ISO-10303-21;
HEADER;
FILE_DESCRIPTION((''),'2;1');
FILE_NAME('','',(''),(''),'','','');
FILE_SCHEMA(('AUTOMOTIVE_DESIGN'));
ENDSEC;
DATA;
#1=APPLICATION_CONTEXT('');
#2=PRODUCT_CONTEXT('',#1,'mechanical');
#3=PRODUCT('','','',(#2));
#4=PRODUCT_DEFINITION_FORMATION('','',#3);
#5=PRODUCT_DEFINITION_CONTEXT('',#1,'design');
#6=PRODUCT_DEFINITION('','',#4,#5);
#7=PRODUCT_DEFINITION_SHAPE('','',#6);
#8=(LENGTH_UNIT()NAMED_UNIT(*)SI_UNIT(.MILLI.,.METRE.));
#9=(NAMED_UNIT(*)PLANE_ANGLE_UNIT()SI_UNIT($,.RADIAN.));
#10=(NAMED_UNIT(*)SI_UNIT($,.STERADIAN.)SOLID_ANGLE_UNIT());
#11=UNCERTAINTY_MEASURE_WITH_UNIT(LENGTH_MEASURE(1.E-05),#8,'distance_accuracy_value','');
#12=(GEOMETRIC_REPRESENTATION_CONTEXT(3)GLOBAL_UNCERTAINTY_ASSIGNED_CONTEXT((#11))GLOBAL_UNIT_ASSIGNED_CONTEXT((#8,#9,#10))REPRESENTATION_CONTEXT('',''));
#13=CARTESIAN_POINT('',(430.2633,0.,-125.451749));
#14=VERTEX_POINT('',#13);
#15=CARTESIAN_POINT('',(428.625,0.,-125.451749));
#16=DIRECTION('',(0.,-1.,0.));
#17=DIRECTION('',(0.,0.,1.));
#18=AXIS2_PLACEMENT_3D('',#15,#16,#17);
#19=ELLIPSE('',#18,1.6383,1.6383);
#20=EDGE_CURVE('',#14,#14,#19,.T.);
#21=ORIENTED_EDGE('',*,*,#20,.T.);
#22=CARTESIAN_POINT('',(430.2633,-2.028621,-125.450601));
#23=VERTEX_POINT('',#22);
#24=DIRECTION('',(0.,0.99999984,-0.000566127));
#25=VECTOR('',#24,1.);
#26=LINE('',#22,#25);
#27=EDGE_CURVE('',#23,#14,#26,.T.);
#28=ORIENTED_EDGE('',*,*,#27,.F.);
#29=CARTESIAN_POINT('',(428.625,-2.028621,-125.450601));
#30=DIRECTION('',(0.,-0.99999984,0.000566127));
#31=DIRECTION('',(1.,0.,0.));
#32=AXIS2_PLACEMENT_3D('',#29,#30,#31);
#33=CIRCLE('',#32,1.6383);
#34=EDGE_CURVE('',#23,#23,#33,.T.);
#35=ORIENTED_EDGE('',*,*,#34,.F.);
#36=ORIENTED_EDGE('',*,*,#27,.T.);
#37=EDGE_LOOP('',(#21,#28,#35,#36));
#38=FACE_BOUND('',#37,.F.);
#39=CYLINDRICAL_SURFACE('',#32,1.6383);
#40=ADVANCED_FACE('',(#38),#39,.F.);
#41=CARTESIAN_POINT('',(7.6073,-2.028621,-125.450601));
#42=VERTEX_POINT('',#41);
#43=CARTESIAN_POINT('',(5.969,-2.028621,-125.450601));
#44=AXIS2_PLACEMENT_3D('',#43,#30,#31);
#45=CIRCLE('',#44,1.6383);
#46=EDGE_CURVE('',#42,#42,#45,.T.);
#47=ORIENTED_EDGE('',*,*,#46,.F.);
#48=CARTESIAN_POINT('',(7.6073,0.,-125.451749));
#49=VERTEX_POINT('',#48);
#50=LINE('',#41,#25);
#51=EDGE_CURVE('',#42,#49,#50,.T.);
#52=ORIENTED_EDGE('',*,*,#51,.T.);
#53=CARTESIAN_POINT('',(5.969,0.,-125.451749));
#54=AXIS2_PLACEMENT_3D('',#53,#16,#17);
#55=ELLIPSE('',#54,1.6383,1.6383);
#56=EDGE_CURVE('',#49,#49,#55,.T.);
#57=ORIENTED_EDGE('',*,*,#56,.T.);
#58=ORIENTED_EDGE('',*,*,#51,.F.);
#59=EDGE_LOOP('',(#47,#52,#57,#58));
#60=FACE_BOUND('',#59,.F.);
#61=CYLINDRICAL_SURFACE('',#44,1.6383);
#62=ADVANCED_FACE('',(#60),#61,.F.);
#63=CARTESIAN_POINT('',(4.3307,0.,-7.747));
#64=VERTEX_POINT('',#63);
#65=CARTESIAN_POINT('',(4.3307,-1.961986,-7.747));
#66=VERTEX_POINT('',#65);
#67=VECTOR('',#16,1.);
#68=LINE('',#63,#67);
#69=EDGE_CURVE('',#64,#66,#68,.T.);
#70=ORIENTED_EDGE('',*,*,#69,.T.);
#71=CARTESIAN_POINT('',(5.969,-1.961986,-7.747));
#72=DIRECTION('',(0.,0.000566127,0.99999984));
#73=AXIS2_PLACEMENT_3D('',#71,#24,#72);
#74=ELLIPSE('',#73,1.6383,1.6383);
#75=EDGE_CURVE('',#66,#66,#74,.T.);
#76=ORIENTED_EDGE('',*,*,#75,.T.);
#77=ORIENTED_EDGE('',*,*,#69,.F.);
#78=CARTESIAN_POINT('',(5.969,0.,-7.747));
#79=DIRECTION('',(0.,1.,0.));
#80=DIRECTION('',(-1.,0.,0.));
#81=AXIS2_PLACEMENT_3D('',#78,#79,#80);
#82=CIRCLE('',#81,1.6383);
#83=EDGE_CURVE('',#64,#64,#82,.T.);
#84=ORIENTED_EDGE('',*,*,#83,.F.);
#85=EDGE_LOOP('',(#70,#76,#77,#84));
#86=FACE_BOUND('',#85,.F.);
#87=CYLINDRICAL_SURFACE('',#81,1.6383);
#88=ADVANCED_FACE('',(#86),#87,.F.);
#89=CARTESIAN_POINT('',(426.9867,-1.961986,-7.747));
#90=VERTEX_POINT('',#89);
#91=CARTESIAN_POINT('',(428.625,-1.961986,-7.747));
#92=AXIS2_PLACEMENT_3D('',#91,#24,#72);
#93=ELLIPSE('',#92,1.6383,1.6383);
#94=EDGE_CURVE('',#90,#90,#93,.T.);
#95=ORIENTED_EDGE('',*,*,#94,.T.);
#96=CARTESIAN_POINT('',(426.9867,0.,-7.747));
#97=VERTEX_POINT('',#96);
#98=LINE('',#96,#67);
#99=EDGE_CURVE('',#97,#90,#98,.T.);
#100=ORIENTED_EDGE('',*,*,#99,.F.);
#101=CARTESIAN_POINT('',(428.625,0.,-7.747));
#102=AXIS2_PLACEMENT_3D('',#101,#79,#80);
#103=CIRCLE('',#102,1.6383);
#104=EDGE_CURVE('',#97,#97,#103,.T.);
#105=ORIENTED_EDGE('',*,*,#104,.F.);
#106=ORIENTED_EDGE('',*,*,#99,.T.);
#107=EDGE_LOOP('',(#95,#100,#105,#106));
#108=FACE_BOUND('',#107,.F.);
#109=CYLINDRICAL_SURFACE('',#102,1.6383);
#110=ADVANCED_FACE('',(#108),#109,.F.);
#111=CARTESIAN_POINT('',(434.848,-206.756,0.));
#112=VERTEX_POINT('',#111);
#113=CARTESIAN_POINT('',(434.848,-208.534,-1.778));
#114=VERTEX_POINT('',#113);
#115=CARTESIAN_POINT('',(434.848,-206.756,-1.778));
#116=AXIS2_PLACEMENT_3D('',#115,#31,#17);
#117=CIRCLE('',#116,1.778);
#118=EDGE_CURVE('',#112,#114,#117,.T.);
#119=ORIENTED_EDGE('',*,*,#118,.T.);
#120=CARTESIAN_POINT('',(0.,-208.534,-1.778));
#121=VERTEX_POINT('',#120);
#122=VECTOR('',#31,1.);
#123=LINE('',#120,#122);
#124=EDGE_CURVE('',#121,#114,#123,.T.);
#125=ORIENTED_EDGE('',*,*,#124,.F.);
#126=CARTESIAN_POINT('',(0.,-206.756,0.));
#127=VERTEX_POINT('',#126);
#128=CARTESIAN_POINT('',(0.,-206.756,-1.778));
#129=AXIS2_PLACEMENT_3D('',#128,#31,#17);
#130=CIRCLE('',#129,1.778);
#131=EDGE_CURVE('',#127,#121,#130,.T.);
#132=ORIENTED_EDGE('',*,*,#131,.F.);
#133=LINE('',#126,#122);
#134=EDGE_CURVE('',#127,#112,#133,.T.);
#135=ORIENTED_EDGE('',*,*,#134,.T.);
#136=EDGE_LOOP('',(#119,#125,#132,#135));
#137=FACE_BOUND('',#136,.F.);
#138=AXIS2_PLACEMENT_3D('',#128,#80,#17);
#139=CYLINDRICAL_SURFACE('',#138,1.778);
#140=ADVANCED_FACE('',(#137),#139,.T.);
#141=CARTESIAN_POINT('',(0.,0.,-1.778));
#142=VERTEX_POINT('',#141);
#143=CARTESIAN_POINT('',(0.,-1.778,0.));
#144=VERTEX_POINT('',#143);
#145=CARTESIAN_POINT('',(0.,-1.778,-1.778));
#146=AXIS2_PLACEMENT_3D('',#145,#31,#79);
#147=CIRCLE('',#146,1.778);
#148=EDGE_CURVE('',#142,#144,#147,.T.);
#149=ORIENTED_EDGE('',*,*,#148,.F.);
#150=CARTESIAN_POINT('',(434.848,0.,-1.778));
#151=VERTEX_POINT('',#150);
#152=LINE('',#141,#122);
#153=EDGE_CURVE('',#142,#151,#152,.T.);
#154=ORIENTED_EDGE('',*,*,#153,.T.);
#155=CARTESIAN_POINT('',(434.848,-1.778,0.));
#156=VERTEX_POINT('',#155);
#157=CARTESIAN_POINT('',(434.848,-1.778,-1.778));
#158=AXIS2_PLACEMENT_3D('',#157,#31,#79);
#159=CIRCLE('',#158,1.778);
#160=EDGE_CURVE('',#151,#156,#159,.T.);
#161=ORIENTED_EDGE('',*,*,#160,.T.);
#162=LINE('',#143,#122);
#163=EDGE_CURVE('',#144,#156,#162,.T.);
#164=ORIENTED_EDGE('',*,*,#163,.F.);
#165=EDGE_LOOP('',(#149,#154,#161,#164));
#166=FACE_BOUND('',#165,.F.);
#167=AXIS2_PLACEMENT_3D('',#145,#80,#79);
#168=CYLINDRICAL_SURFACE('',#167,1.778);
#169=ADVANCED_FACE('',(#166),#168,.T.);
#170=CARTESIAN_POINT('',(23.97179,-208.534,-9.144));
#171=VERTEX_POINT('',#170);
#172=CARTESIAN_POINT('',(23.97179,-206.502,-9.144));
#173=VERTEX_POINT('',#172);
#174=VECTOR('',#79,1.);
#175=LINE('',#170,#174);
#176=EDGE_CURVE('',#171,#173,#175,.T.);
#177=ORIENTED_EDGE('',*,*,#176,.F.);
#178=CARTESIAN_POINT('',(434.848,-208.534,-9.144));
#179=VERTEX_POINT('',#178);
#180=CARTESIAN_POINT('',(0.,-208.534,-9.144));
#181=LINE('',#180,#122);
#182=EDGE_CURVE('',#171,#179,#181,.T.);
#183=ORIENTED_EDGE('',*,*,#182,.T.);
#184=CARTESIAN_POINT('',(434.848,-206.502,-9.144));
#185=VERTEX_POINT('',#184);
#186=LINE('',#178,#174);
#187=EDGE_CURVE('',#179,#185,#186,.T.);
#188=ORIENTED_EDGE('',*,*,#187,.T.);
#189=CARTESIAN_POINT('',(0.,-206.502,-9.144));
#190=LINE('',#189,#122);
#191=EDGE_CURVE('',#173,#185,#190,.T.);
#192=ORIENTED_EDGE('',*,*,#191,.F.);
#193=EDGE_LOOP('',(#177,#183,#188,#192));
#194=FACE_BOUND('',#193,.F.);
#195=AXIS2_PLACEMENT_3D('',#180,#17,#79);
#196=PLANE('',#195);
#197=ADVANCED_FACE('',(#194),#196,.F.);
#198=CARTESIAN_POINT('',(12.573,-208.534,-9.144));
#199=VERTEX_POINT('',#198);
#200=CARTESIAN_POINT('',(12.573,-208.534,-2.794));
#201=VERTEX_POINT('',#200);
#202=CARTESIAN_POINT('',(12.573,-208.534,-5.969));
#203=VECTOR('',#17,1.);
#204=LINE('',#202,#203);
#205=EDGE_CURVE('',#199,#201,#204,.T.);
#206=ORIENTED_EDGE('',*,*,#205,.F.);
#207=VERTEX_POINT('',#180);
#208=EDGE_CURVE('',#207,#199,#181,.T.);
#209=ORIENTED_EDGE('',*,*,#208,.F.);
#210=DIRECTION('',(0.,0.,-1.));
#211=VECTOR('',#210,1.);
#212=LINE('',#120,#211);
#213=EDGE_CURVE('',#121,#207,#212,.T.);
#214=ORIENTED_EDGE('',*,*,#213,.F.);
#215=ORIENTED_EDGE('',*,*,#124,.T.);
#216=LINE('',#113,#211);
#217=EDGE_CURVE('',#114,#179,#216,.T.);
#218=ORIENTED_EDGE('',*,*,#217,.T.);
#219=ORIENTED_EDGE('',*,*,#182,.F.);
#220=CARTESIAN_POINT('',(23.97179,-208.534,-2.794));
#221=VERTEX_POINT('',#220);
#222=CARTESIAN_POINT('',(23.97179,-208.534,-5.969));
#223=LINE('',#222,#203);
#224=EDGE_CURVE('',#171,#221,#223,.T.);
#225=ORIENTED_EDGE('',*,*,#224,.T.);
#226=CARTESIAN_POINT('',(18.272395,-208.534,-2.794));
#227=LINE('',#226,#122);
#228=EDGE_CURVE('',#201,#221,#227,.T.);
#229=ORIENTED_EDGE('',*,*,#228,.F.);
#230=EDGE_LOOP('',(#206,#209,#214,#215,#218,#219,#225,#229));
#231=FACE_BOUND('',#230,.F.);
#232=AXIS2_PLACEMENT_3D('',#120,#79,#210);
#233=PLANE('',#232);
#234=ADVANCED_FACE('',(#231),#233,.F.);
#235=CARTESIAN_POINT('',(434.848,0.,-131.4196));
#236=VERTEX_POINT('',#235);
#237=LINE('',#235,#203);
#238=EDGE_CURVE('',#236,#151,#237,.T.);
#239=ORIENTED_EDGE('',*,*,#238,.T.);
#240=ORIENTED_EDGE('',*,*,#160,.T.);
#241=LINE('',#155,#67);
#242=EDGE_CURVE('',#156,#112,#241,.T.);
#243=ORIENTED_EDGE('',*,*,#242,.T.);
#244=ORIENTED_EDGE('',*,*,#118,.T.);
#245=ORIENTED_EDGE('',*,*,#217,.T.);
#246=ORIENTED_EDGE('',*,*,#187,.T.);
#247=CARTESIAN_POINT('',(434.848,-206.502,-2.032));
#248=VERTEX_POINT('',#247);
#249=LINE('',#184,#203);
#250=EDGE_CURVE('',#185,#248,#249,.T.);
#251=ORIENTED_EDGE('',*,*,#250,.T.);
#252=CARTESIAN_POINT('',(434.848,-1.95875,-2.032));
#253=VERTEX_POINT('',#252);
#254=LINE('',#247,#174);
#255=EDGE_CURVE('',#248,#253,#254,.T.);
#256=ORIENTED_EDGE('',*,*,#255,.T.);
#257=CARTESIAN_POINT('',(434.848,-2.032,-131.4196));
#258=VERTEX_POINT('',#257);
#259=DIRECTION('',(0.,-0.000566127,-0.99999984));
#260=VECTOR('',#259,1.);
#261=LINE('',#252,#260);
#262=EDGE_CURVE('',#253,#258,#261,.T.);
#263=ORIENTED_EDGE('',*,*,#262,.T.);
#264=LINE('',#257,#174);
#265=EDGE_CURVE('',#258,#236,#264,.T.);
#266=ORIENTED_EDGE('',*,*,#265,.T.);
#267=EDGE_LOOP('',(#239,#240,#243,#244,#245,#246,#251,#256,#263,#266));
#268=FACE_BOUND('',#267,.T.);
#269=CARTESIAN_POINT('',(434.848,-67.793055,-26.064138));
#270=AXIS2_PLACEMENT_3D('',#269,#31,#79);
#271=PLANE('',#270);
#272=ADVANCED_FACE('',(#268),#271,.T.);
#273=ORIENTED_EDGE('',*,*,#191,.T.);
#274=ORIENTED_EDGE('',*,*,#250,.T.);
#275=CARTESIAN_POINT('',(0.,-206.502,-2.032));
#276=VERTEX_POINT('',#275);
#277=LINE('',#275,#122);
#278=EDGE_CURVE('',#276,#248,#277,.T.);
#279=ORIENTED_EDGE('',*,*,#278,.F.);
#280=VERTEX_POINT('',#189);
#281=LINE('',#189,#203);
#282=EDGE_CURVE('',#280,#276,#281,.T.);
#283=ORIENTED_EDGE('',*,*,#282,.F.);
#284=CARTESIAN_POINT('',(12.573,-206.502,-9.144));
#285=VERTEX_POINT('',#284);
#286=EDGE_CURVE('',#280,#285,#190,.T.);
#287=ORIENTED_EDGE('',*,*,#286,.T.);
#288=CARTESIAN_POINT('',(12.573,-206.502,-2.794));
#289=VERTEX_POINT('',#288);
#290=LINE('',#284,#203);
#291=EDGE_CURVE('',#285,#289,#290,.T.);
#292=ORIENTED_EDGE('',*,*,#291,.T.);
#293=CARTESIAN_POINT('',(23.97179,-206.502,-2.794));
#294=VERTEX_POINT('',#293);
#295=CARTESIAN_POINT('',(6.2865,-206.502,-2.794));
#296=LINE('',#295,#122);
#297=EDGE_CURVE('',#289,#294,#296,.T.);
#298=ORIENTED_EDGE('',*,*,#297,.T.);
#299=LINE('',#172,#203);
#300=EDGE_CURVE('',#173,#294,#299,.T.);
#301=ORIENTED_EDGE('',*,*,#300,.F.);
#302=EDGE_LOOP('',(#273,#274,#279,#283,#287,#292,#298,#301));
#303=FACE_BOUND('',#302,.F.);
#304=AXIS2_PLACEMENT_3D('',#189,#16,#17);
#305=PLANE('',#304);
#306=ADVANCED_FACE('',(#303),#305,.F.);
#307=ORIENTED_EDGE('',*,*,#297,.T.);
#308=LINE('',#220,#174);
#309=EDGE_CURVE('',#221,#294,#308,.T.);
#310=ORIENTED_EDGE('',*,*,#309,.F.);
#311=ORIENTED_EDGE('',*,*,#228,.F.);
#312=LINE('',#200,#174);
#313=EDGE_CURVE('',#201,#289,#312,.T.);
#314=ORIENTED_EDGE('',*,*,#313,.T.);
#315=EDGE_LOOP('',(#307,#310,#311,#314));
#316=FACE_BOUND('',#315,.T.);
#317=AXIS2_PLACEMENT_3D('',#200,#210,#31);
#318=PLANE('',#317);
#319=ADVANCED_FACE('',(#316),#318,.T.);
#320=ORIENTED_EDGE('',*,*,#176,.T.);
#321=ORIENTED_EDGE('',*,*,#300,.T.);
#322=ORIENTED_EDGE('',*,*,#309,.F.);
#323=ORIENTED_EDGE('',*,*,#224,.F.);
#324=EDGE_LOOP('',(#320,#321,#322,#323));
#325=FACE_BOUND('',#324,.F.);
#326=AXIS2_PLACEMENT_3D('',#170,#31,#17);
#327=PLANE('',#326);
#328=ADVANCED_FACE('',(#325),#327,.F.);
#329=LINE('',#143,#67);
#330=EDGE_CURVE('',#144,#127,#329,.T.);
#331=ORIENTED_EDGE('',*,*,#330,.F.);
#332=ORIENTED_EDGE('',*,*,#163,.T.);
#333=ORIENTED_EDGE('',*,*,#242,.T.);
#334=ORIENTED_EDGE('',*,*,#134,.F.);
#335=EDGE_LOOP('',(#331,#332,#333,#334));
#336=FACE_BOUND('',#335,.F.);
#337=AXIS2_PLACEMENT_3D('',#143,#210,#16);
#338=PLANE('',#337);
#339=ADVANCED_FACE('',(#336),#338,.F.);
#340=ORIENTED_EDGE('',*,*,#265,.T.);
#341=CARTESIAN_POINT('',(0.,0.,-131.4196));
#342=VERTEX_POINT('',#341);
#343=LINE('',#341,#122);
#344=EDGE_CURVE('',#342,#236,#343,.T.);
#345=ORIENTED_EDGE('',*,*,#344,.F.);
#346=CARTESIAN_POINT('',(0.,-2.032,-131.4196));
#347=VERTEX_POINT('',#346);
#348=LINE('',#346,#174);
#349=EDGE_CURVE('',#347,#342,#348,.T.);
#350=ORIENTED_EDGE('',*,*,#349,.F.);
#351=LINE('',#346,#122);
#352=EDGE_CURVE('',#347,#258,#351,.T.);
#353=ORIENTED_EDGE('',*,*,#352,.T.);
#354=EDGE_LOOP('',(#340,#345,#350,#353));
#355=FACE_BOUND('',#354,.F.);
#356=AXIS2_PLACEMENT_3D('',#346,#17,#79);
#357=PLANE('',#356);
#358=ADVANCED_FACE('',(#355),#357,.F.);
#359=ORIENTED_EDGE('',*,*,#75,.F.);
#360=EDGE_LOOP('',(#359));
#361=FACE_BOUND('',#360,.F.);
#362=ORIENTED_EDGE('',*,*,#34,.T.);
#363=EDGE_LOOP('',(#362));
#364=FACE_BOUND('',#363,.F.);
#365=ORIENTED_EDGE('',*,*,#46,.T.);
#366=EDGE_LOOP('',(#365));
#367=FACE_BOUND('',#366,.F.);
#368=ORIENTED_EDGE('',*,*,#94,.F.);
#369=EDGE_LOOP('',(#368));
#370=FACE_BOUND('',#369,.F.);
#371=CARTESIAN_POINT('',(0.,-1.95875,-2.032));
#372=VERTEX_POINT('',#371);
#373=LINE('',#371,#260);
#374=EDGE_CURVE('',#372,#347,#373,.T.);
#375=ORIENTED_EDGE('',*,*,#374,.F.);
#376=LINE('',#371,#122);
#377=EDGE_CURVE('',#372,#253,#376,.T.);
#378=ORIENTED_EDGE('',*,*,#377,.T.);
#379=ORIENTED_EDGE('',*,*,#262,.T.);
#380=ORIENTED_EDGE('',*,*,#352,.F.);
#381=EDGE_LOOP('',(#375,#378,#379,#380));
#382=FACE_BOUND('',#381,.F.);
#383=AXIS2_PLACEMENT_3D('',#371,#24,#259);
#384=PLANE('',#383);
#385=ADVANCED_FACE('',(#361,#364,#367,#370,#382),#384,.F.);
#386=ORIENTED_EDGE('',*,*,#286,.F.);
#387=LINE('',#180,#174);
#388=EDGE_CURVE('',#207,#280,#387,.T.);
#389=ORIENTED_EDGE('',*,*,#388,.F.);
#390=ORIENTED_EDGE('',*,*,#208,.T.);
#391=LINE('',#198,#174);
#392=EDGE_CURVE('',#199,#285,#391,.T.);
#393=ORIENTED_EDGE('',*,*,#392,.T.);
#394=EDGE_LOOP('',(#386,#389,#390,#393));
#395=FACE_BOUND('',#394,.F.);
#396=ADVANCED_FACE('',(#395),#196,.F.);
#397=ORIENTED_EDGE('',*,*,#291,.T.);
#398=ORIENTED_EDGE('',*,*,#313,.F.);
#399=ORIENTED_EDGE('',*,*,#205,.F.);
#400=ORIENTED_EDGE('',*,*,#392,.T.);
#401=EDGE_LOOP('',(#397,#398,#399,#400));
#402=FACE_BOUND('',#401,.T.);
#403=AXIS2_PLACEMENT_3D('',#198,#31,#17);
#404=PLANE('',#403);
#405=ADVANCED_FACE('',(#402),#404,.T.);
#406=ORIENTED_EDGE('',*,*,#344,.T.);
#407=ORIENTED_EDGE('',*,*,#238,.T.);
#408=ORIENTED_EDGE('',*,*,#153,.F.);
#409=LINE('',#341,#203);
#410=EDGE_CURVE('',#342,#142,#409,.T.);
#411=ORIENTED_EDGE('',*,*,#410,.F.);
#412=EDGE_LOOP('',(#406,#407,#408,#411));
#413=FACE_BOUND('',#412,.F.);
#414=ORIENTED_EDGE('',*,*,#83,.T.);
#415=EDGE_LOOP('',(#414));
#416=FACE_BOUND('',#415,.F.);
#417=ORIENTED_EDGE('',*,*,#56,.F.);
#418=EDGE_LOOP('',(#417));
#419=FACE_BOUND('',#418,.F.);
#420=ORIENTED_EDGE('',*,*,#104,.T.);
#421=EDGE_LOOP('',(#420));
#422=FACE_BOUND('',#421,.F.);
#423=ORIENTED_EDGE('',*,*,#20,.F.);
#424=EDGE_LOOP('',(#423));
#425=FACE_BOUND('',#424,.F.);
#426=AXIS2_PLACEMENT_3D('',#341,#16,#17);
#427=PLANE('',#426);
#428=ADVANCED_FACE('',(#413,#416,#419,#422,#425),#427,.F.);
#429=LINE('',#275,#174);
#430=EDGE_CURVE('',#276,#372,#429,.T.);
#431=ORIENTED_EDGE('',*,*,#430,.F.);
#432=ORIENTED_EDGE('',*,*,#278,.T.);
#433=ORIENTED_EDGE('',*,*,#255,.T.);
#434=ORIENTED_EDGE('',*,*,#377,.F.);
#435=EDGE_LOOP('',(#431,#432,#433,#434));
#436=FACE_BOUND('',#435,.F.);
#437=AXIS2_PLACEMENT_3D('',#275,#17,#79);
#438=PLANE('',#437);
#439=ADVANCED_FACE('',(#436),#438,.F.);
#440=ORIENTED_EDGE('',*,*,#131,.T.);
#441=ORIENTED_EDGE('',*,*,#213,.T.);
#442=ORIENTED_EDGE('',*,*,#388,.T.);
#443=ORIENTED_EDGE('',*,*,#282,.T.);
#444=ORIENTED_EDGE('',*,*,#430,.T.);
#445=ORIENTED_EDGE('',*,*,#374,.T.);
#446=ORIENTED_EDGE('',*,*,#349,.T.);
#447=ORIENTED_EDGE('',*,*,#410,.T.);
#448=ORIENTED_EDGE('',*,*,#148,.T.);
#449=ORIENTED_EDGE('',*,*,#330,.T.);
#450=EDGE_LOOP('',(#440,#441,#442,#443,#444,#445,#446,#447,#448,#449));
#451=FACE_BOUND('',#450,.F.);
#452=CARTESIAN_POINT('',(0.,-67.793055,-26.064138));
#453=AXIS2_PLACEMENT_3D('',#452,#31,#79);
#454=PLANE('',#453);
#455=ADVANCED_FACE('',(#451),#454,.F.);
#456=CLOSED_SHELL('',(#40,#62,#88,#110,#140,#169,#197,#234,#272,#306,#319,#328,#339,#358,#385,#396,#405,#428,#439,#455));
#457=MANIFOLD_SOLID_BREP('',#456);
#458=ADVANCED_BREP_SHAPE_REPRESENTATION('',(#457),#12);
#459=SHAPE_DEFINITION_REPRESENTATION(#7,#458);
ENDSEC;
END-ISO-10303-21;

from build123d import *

# Parameters (mm, degrees)
F1_DEPTH = 434.848
F2_W     = 11.3987904478
F2_H     = 6.35
F3_DEPTH = 25.4
F4_R     = 1.6383
F5_DEPTH = 25.4
F6_R     = 1.6383
F7_DEPTH = 25.4


with BuildPart() as f1:
    # F0 (on Right) → F1 (new body)
    with BuildSketch(Plane.YZ):
        with BuildLine():
            ThreePointArc((0, -1.778), (-0.5207641431, -0.5207641431), (-1.778, 0))
            Line((-1.778, 0), (-206.756, 0))
            ThreePointArc((-206.756, 0), (-208.0132358569, -0.5207641431), (-208.534, -1.778))
            Line((-208.534, -1.778), (-208.534, -9.144))
            Line((-208.534, -9.144), (-206.502, -9.144))
            Line((-206.502, -9.144), (-206.502, -2.032))
            Line((-206.502, -2.032), (-1.9587501884, -2.032))
            Line((-1.9587501884, -2.032), (-2.032, -131.4196))
            Line((-2.032, -131.4196), (0, -131.4196))
            Line((0, -131.4196), (0, -1.778))
        make_face()
    extrude(amount=F1_DEPTH)

    # F2 (on face) → F3 (cut)
    with BuildSketch(Plane.XZ.offset(208.534)):
        with Locations((18.2723952239, -5.969)):
            Rectangle(F2_W, F2_H)
    extrude(amount=-F3_DEPTH, mode=Mode.SUBTRACT)

    # F4 (on face) → F5 (cut)
    with BuildSketch(Plane(origin=(0, -1.9575991909, 0.0011082497), x_dir=(1, 0, 0), z_dir=(0, -0.9999998398, 0.0005661269))):
        with Locations((5.969, -125.4517293099)):
            Circle(F4_R)
        with Locations((428.625, -125.4517293099)):
            Circle(F4_R)
    extrude(amount=-F5_DEPTH, mode=Mode.SUBTRACT)

    # F6 (on face) → F7 (cut)
    with BuildSketch(Plane(origin=(0, 0, 0), x_dir=(-1, 0, 0), z_dir=(0, 1, 0))):
        with Locations((-428.625, -7.747)):
            Circle(F6_R)
        with Locations((-5.969, -7.747)):
            Circle(F6_R)
    extrude(amount=-F7_DEPTH, mode=Mode.SUBTRACT)


solid = f1.part
